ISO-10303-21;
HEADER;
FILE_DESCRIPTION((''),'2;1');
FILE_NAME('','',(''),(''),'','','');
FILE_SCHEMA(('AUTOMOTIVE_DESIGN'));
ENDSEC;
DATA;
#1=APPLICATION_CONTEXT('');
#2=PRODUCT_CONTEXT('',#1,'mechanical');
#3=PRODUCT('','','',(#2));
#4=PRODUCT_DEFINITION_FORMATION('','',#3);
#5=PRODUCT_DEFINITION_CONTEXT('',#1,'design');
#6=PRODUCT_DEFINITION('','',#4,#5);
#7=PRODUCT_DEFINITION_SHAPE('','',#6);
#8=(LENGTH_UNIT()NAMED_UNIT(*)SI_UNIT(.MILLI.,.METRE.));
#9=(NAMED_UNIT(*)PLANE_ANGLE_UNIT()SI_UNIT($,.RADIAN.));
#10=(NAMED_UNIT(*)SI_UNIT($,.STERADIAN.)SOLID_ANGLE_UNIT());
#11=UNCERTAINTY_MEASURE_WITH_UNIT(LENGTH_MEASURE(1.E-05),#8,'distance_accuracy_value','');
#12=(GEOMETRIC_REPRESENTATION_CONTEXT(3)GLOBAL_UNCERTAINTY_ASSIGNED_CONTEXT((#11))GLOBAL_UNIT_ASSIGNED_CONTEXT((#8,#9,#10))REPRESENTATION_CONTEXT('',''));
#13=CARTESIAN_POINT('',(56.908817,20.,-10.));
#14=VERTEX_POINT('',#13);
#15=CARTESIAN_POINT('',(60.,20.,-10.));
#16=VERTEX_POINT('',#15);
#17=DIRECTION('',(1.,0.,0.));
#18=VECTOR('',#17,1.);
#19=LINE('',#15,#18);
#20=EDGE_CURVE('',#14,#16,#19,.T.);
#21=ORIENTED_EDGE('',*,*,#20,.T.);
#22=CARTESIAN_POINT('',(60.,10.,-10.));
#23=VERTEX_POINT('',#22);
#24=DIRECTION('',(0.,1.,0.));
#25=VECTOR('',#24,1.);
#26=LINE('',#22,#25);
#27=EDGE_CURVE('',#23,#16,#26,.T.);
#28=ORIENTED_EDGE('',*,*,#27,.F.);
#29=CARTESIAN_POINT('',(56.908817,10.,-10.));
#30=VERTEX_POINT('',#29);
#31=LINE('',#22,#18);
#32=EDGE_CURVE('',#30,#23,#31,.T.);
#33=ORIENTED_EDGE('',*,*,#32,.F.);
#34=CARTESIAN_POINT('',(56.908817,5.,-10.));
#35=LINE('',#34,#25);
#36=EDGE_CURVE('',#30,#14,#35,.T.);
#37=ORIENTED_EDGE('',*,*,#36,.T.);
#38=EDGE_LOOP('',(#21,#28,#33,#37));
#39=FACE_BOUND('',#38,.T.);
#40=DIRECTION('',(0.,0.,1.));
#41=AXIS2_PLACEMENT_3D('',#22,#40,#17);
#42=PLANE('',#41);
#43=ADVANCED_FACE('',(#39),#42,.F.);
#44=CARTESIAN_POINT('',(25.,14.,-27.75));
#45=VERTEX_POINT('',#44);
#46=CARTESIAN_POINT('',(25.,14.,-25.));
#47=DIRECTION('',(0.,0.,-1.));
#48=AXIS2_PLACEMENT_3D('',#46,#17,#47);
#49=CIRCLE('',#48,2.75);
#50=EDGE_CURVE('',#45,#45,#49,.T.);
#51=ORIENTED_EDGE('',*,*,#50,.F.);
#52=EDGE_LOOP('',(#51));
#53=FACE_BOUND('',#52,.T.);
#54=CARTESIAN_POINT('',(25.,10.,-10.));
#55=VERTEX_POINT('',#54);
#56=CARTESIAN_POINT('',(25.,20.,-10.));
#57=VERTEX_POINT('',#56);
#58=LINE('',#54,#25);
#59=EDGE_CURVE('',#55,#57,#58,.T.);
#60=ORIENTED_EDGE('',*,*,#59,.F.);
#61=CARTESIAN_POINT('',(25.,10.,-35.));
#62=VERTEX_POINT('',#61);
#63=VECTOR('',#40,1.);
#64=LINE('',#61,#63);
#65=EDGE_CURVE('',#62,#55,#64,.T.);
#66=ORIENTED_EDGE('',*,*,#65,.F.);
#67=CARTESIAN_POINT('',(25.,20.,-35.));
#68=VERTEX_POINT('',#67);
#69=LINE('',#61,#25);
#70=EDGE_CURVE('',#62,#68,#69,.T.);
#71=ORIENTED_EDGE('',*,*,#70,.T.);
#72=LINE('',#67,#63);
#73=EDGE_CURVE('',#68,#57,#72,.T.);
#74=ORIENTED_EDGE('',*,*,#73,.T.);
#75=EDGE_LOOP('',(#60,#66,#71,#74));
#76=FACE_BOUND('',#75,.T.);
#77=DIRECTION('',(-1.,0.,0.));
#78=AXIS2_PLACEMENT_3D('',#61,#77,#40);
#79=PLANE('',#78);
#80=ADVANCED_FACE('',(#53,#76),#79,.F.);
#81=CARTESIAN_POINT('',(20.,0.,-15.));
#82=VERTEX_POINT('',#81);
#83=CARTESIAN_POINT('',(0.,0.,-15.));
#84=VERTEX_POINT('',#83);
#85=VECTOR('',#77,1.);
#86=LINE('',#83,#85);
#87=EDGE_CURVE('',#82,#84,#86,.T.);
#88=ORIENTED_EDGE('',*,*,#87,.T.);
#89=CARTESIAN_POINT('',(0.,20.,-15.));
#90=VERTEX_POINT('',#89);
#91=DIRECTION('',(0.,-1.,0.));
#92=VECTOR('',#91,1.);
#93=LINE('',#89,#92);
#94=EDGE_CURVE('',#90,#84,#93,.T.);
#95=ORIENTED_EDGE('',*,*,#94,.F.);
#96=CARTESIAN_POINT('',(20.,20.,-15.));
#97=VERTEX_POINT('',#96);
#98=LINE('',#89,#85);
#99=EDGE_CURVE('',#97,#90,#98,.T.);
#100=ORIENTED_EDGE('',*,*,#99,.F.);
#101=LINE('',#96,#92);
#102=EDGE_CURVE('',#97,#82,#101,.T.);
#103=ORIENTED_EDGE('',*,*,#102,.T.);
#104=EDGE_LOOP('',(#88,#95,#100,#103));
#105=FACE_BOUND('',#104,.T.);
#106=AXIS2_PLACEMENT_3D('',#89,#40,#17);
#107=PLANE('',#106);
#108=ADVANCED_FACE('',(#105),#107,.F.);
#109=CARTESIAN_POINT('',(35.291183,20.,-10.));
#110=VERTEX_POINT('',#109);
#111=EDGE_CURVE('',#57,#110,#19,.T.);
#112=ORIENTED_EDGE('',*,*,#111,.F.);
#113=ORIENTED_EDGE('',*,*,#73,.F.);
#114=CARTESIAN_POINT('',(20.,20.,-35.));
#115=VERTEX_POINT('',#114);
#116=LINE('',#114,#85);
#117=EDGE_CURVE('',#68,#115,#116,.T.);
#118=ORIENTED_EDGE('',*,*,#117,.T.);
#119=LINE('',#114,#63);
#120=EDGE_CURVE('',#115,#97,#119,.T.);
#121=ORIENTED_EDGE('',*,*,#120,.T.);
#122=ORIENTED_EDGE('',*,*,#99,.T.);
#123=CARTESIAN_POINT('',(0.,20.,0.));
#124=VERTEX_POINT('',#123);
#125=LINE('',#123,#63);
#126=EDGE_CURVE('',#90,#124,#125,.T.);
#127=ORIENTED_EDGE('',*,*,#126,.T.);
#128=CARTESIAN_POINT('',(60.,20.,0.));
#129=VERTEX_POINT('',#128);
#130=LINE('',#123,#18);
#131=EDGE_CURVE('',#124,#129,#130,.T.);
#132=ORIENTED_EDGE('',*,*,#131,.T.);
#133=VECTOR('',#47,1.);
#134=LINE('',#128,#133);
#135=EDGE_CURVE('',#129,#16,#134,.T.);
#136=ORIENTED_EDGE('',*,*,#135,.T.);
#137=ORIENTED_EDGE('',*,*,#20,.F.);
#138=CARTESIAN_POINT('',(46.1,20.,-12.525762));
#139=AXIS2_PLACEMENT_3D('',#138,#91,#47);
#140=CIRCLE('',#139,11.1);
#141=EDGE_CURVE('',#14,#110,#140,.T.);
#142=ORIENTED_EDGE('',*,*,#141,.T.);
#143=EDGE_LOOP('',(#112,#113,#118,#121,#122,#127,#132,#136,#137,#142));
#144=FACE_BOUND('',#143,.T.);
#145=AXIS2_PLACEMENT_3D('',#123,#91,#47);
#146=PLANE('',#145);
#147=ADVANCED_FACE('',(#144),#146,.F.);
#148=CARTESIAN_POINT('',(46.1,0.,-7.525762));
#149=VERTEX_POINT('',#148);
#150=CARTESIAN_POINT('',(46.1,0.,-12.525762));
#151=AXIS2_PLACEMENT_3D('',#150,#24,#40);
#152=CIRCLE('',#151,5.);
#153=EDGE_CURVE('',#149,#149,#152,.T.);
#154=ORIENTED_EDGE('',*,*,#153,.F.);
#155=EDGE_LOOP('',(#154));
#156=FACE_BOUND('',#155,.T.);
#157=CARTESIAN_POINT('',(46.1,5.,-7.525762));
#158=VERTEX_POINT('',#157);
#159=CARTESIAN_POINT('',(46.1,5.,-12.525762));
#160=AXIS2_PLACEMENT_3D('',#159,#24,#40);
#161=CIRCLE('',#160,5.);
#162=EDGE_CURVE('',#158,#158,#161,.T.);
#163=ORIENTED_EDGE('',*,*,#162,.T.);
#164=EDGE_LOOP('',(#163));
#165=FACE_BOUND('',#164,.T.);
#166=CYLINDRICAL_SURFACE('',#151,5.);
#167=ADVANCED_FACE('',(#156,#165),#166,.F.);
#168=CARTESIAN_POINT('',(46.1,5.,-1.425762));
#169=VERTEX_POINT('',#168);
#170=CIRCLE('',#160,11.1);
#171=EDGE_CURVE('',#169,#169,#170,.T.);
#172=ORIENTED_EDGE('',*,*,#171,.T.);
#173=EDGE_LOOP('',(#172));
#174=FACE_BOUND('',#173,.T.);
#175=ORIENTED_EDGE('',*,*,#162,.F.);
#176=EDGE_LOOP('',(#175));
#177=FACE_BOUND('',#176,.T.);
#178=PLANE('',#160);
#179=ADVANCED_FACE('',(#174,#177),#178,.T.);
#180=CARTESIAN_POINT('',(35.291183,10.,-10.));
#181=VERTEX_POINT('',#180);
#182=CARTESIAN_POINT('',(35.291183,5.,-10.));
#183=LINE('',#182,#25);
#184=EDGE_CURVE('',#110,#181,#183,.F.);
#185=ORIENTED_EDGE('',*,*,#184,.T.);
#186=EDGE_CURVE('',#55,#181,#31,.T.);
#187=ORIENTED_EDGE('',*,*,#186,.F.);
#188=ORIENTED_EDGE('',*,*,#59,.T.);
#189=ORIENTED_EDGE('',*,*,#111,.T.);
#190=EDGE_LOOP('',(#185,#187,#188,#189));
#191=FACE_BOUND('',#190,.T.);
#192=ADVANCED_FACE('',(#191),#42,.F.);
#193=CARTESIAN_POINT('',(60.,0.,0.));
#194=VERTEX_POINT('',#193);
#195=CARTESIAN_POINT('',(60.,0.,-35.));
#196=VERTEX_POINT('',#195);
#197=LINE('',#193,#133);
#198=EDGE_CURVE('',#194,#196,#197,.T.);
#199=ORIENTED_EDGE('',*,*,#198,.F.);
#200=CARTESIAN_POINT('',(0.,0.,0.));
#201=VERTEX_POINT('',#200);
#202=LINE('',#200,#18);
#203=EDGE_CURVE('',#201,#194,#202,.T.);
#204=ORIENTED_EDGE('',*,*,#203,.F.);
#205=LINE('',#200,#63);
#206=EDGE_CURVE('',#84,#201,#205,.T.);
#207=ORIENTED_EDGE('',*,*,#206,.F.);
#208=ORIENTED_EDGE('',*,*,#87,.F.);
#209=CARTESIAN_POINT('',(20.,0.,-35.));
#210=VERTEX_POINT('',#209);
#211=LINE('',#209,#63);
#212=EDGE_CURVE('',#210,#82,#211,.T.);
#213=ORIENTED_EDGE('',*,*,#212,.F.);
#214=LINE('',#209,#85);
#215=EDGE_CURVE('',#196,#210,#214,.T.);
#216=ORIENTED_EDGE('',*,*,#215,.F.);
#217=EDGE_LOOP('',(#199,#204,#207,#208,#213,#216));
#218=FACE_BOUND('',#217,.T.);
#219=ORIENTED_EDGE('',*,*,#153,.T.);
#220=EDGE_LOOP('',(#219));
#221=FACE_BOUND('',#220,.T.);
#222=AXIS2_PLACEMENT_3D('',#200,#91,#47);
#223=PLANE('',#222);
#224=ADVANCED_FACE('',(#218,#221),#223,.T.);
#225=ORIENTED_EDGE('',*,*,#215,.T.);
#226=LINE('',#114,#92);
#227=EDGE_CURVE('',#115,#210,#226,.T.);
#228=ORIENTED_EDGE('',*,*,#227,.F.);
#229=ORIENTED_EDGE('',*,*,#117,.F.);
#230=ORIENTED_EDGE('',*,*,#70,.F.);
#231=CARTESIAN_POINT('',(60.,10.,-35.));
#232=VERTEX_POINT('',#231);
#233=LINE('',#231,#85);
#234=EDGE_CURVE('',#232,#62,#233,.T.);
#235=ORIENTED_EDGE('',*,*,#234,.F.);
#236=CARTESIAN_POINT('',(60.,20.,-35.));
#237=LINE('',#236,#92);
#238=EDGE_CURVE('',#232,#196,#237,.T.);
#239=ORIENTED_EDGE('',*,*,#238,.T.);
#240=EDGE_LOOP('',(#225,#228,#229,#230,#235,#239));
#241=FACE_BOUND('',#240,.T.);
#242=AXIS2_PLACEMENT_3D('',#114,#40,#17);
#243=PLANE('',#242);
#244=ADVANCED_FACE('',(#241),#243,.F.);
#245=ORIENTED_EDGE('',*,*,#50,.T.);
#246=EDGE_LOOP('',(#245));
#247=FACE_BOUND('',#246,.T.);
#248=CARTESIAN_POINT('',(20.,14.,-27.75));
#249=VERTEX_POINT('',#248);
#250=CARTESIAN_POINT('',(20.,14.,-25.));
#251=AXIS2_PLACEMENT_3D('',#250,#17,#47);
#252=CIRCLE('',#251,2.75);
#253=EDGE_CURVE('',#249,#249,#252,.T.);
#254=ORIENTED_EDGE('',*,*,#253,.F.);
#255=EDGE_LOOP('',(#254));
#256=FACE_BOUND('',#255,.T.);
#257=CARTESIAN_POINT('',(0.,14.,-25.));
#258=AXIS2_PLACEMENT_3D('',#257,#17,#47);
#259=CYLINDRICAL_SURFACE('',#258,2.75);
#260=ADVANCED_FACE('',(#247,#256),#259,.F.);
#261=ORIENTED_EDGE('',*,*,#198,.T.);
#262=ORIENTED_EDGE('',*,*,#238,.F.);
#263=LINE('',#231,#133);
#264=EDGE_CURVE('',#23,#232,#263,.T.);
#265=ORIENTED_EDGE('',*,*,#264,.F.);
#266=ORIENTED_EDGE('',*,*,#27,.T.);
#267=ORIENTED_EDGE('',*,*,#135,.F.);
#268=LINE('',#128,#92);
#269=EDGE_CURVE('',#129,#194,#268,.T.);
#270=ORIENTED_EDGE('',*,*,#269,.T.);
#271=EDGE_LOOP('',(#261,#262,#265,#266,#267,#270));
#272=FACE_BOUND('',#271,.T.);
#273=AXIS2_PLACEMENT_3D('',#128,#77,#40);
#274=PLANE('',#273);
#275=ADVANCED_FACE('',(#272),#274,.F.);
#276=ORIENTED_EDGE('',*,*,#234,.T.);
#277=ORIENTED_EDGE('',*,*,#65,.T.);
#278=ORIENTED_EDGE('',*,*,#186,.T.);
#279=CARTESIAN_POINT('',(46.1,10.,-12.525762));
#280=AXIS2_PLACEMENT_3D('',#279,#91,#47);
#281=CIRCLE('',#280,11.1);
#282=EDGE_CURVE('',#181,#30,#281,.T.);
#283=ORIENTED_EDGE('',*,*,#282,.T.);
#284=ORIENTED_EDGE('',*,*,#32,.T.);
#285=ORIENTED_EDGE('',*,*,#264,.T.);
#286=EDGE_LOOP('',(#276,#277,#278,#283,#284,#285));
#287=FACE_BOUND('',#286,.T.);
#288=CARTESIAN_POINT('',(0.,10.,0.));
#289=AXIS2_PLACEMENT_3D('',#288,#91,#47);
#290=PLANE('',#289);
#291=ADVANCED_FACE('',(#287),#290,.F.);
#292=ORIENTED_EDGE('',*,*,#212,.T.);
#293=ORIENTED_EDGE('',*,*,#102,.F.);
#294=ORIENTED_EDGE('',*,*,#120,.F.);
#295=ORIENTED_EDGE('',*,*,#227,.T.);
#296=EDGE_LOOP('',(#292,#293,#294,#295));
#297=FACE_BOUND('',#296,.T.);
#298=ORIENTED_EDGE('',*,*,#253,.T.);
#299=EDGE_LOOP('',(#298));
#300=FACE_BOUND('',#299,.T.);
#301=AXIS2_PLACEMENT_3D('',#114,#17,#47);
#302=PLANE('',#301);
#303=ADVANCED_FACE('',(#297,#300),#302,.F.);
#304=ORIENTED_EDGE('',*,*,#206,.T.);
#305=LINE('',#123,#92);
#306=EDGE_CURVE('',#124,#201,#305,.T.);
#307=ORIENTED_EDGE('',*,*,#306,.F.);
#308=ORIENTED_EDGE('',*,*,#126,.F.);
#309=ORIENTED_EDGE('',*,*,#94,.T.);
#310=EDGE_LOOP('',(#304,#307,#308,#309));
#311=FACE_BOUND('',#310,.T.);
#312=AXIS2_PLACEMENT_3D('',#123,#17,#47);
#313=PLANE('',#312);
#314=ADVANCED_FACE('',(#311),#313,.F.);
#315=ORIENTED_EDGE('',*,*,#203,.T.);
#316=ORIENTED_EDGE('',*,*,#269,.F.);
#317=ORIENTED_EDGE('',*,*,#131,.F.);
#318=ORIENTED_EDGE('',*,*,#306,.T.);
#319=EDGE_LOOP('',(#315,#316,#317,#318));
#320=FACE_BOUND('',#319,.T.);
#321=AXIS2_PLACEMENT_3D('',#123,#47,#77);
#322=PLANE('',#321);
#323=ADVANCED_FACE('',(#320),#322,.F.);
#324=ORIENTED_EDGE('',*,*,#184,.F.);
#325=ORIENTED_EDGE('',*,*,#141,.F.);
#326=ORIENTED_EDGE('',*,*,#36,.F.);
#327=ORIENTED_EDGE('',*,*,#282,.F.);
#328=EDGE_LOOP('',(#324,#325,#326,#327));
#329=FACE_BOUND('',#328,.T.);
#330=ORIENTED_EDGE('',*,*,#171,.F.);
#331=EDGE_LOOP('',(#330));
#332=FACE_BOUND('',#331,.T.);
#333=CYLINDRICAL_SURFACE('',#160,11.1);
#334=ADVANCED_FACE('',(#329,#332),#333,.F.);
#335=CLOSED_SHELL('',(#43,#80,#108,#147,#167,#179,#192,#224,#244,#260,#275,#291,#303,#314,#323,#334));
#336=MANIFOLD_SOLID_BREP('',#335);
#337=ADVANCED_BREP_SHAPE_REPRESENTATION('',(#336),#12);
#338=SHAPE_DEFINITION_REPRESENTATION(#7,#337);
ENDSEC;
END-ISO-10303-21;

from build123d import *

# Parameters (mm, degrees)
BOSS_EXTRUDE1_DEPTH = 20
SKETCH2_W           = 35
SKETCH2_H           = 25
CUT_EXTRUDE1_DEPTH  = 10
CUT_EXTRUDE2_START  = 20
SKETCH3_R           = 11.1
CUT_EXTRUDE2_DEPTH  = 25
SKETCH4_R           = 5
CUT_EXTRUDE3_DEPTH  = 6
SKETCH5_R           = 2.75
CUT_EXTRUDE4_DEPTH  = 26


with BuildPart() as part:
    # Sketch1 → Boss-Extrude1 (new body)
    with BuildSketch(Plane(origin=(0, 0, 0), x_dir=(1, 0, 0), z_dir=(0, 1, 0))):
        Polygon((0, 0), (60, 0), (60, 35), (20, 35), (20, 15), (0, 15), align=None)
    extrude(amount=BOSS_EXTRUDE1_DEPTH)

    # Sketch2 → Cut-Extrude1 (cut)
    with BuildSketch(Plane(origin=(0, 20, 0), x_dir=(1, 0, 0), z_dir=(0, 1, 0))):
        with Locations((42.5, 22.5)):
            Rectangle(SKETCH2_W, SKETCH2_H)
    extrude(amount=-CUT_EXTRUDE1_DEPTH, mode=Mode.SUBTRACT)

    # Sketch3 → Cut-Extrude2 (cut)
    with BuildSketch(Plane(origin=(0, 10, 0), x_dir=(1, 0, 0), z_dir=(0, 1, 0)).offset(CUT_EXTRUDE2_START)):
        with Locations((46.1, 12.525762493)):
            Circle(SKETCH3_R)
    extrude(amount=-CUT_EXTRUDE2_DEPTH, mode=Mode.SUBTRACT)

    # Sketch4 → Cut-Extrude3 (cut, through all)
    with BuildSketch(Plane(origin=(0, 5, 0), x_dir=(1, 0, 0), z_dir=(0, 1, 0))):
        with Locations((46.1, 12.525762493)):
            Circle(SKETCH4_R)
    extrude(amount=-CUT_EXTRUDE3_DEPTH, mode=Mode.SUBTRACT)

    # Sketch5 → Cut-Extrude4 (cut, through all)
    with BuildSketch(Plane(origin=(25, 0, 0), x_dir=(0, 0, -1), z_dir=(1, 0, 0))):
        with Locations((25, 14)):
            Circle(SKETCH5_R)
    extrude(amount=-CUT_EXTRUDE4_DEPTH, mode=Mode.SUBTRACT)


solid = part.part
